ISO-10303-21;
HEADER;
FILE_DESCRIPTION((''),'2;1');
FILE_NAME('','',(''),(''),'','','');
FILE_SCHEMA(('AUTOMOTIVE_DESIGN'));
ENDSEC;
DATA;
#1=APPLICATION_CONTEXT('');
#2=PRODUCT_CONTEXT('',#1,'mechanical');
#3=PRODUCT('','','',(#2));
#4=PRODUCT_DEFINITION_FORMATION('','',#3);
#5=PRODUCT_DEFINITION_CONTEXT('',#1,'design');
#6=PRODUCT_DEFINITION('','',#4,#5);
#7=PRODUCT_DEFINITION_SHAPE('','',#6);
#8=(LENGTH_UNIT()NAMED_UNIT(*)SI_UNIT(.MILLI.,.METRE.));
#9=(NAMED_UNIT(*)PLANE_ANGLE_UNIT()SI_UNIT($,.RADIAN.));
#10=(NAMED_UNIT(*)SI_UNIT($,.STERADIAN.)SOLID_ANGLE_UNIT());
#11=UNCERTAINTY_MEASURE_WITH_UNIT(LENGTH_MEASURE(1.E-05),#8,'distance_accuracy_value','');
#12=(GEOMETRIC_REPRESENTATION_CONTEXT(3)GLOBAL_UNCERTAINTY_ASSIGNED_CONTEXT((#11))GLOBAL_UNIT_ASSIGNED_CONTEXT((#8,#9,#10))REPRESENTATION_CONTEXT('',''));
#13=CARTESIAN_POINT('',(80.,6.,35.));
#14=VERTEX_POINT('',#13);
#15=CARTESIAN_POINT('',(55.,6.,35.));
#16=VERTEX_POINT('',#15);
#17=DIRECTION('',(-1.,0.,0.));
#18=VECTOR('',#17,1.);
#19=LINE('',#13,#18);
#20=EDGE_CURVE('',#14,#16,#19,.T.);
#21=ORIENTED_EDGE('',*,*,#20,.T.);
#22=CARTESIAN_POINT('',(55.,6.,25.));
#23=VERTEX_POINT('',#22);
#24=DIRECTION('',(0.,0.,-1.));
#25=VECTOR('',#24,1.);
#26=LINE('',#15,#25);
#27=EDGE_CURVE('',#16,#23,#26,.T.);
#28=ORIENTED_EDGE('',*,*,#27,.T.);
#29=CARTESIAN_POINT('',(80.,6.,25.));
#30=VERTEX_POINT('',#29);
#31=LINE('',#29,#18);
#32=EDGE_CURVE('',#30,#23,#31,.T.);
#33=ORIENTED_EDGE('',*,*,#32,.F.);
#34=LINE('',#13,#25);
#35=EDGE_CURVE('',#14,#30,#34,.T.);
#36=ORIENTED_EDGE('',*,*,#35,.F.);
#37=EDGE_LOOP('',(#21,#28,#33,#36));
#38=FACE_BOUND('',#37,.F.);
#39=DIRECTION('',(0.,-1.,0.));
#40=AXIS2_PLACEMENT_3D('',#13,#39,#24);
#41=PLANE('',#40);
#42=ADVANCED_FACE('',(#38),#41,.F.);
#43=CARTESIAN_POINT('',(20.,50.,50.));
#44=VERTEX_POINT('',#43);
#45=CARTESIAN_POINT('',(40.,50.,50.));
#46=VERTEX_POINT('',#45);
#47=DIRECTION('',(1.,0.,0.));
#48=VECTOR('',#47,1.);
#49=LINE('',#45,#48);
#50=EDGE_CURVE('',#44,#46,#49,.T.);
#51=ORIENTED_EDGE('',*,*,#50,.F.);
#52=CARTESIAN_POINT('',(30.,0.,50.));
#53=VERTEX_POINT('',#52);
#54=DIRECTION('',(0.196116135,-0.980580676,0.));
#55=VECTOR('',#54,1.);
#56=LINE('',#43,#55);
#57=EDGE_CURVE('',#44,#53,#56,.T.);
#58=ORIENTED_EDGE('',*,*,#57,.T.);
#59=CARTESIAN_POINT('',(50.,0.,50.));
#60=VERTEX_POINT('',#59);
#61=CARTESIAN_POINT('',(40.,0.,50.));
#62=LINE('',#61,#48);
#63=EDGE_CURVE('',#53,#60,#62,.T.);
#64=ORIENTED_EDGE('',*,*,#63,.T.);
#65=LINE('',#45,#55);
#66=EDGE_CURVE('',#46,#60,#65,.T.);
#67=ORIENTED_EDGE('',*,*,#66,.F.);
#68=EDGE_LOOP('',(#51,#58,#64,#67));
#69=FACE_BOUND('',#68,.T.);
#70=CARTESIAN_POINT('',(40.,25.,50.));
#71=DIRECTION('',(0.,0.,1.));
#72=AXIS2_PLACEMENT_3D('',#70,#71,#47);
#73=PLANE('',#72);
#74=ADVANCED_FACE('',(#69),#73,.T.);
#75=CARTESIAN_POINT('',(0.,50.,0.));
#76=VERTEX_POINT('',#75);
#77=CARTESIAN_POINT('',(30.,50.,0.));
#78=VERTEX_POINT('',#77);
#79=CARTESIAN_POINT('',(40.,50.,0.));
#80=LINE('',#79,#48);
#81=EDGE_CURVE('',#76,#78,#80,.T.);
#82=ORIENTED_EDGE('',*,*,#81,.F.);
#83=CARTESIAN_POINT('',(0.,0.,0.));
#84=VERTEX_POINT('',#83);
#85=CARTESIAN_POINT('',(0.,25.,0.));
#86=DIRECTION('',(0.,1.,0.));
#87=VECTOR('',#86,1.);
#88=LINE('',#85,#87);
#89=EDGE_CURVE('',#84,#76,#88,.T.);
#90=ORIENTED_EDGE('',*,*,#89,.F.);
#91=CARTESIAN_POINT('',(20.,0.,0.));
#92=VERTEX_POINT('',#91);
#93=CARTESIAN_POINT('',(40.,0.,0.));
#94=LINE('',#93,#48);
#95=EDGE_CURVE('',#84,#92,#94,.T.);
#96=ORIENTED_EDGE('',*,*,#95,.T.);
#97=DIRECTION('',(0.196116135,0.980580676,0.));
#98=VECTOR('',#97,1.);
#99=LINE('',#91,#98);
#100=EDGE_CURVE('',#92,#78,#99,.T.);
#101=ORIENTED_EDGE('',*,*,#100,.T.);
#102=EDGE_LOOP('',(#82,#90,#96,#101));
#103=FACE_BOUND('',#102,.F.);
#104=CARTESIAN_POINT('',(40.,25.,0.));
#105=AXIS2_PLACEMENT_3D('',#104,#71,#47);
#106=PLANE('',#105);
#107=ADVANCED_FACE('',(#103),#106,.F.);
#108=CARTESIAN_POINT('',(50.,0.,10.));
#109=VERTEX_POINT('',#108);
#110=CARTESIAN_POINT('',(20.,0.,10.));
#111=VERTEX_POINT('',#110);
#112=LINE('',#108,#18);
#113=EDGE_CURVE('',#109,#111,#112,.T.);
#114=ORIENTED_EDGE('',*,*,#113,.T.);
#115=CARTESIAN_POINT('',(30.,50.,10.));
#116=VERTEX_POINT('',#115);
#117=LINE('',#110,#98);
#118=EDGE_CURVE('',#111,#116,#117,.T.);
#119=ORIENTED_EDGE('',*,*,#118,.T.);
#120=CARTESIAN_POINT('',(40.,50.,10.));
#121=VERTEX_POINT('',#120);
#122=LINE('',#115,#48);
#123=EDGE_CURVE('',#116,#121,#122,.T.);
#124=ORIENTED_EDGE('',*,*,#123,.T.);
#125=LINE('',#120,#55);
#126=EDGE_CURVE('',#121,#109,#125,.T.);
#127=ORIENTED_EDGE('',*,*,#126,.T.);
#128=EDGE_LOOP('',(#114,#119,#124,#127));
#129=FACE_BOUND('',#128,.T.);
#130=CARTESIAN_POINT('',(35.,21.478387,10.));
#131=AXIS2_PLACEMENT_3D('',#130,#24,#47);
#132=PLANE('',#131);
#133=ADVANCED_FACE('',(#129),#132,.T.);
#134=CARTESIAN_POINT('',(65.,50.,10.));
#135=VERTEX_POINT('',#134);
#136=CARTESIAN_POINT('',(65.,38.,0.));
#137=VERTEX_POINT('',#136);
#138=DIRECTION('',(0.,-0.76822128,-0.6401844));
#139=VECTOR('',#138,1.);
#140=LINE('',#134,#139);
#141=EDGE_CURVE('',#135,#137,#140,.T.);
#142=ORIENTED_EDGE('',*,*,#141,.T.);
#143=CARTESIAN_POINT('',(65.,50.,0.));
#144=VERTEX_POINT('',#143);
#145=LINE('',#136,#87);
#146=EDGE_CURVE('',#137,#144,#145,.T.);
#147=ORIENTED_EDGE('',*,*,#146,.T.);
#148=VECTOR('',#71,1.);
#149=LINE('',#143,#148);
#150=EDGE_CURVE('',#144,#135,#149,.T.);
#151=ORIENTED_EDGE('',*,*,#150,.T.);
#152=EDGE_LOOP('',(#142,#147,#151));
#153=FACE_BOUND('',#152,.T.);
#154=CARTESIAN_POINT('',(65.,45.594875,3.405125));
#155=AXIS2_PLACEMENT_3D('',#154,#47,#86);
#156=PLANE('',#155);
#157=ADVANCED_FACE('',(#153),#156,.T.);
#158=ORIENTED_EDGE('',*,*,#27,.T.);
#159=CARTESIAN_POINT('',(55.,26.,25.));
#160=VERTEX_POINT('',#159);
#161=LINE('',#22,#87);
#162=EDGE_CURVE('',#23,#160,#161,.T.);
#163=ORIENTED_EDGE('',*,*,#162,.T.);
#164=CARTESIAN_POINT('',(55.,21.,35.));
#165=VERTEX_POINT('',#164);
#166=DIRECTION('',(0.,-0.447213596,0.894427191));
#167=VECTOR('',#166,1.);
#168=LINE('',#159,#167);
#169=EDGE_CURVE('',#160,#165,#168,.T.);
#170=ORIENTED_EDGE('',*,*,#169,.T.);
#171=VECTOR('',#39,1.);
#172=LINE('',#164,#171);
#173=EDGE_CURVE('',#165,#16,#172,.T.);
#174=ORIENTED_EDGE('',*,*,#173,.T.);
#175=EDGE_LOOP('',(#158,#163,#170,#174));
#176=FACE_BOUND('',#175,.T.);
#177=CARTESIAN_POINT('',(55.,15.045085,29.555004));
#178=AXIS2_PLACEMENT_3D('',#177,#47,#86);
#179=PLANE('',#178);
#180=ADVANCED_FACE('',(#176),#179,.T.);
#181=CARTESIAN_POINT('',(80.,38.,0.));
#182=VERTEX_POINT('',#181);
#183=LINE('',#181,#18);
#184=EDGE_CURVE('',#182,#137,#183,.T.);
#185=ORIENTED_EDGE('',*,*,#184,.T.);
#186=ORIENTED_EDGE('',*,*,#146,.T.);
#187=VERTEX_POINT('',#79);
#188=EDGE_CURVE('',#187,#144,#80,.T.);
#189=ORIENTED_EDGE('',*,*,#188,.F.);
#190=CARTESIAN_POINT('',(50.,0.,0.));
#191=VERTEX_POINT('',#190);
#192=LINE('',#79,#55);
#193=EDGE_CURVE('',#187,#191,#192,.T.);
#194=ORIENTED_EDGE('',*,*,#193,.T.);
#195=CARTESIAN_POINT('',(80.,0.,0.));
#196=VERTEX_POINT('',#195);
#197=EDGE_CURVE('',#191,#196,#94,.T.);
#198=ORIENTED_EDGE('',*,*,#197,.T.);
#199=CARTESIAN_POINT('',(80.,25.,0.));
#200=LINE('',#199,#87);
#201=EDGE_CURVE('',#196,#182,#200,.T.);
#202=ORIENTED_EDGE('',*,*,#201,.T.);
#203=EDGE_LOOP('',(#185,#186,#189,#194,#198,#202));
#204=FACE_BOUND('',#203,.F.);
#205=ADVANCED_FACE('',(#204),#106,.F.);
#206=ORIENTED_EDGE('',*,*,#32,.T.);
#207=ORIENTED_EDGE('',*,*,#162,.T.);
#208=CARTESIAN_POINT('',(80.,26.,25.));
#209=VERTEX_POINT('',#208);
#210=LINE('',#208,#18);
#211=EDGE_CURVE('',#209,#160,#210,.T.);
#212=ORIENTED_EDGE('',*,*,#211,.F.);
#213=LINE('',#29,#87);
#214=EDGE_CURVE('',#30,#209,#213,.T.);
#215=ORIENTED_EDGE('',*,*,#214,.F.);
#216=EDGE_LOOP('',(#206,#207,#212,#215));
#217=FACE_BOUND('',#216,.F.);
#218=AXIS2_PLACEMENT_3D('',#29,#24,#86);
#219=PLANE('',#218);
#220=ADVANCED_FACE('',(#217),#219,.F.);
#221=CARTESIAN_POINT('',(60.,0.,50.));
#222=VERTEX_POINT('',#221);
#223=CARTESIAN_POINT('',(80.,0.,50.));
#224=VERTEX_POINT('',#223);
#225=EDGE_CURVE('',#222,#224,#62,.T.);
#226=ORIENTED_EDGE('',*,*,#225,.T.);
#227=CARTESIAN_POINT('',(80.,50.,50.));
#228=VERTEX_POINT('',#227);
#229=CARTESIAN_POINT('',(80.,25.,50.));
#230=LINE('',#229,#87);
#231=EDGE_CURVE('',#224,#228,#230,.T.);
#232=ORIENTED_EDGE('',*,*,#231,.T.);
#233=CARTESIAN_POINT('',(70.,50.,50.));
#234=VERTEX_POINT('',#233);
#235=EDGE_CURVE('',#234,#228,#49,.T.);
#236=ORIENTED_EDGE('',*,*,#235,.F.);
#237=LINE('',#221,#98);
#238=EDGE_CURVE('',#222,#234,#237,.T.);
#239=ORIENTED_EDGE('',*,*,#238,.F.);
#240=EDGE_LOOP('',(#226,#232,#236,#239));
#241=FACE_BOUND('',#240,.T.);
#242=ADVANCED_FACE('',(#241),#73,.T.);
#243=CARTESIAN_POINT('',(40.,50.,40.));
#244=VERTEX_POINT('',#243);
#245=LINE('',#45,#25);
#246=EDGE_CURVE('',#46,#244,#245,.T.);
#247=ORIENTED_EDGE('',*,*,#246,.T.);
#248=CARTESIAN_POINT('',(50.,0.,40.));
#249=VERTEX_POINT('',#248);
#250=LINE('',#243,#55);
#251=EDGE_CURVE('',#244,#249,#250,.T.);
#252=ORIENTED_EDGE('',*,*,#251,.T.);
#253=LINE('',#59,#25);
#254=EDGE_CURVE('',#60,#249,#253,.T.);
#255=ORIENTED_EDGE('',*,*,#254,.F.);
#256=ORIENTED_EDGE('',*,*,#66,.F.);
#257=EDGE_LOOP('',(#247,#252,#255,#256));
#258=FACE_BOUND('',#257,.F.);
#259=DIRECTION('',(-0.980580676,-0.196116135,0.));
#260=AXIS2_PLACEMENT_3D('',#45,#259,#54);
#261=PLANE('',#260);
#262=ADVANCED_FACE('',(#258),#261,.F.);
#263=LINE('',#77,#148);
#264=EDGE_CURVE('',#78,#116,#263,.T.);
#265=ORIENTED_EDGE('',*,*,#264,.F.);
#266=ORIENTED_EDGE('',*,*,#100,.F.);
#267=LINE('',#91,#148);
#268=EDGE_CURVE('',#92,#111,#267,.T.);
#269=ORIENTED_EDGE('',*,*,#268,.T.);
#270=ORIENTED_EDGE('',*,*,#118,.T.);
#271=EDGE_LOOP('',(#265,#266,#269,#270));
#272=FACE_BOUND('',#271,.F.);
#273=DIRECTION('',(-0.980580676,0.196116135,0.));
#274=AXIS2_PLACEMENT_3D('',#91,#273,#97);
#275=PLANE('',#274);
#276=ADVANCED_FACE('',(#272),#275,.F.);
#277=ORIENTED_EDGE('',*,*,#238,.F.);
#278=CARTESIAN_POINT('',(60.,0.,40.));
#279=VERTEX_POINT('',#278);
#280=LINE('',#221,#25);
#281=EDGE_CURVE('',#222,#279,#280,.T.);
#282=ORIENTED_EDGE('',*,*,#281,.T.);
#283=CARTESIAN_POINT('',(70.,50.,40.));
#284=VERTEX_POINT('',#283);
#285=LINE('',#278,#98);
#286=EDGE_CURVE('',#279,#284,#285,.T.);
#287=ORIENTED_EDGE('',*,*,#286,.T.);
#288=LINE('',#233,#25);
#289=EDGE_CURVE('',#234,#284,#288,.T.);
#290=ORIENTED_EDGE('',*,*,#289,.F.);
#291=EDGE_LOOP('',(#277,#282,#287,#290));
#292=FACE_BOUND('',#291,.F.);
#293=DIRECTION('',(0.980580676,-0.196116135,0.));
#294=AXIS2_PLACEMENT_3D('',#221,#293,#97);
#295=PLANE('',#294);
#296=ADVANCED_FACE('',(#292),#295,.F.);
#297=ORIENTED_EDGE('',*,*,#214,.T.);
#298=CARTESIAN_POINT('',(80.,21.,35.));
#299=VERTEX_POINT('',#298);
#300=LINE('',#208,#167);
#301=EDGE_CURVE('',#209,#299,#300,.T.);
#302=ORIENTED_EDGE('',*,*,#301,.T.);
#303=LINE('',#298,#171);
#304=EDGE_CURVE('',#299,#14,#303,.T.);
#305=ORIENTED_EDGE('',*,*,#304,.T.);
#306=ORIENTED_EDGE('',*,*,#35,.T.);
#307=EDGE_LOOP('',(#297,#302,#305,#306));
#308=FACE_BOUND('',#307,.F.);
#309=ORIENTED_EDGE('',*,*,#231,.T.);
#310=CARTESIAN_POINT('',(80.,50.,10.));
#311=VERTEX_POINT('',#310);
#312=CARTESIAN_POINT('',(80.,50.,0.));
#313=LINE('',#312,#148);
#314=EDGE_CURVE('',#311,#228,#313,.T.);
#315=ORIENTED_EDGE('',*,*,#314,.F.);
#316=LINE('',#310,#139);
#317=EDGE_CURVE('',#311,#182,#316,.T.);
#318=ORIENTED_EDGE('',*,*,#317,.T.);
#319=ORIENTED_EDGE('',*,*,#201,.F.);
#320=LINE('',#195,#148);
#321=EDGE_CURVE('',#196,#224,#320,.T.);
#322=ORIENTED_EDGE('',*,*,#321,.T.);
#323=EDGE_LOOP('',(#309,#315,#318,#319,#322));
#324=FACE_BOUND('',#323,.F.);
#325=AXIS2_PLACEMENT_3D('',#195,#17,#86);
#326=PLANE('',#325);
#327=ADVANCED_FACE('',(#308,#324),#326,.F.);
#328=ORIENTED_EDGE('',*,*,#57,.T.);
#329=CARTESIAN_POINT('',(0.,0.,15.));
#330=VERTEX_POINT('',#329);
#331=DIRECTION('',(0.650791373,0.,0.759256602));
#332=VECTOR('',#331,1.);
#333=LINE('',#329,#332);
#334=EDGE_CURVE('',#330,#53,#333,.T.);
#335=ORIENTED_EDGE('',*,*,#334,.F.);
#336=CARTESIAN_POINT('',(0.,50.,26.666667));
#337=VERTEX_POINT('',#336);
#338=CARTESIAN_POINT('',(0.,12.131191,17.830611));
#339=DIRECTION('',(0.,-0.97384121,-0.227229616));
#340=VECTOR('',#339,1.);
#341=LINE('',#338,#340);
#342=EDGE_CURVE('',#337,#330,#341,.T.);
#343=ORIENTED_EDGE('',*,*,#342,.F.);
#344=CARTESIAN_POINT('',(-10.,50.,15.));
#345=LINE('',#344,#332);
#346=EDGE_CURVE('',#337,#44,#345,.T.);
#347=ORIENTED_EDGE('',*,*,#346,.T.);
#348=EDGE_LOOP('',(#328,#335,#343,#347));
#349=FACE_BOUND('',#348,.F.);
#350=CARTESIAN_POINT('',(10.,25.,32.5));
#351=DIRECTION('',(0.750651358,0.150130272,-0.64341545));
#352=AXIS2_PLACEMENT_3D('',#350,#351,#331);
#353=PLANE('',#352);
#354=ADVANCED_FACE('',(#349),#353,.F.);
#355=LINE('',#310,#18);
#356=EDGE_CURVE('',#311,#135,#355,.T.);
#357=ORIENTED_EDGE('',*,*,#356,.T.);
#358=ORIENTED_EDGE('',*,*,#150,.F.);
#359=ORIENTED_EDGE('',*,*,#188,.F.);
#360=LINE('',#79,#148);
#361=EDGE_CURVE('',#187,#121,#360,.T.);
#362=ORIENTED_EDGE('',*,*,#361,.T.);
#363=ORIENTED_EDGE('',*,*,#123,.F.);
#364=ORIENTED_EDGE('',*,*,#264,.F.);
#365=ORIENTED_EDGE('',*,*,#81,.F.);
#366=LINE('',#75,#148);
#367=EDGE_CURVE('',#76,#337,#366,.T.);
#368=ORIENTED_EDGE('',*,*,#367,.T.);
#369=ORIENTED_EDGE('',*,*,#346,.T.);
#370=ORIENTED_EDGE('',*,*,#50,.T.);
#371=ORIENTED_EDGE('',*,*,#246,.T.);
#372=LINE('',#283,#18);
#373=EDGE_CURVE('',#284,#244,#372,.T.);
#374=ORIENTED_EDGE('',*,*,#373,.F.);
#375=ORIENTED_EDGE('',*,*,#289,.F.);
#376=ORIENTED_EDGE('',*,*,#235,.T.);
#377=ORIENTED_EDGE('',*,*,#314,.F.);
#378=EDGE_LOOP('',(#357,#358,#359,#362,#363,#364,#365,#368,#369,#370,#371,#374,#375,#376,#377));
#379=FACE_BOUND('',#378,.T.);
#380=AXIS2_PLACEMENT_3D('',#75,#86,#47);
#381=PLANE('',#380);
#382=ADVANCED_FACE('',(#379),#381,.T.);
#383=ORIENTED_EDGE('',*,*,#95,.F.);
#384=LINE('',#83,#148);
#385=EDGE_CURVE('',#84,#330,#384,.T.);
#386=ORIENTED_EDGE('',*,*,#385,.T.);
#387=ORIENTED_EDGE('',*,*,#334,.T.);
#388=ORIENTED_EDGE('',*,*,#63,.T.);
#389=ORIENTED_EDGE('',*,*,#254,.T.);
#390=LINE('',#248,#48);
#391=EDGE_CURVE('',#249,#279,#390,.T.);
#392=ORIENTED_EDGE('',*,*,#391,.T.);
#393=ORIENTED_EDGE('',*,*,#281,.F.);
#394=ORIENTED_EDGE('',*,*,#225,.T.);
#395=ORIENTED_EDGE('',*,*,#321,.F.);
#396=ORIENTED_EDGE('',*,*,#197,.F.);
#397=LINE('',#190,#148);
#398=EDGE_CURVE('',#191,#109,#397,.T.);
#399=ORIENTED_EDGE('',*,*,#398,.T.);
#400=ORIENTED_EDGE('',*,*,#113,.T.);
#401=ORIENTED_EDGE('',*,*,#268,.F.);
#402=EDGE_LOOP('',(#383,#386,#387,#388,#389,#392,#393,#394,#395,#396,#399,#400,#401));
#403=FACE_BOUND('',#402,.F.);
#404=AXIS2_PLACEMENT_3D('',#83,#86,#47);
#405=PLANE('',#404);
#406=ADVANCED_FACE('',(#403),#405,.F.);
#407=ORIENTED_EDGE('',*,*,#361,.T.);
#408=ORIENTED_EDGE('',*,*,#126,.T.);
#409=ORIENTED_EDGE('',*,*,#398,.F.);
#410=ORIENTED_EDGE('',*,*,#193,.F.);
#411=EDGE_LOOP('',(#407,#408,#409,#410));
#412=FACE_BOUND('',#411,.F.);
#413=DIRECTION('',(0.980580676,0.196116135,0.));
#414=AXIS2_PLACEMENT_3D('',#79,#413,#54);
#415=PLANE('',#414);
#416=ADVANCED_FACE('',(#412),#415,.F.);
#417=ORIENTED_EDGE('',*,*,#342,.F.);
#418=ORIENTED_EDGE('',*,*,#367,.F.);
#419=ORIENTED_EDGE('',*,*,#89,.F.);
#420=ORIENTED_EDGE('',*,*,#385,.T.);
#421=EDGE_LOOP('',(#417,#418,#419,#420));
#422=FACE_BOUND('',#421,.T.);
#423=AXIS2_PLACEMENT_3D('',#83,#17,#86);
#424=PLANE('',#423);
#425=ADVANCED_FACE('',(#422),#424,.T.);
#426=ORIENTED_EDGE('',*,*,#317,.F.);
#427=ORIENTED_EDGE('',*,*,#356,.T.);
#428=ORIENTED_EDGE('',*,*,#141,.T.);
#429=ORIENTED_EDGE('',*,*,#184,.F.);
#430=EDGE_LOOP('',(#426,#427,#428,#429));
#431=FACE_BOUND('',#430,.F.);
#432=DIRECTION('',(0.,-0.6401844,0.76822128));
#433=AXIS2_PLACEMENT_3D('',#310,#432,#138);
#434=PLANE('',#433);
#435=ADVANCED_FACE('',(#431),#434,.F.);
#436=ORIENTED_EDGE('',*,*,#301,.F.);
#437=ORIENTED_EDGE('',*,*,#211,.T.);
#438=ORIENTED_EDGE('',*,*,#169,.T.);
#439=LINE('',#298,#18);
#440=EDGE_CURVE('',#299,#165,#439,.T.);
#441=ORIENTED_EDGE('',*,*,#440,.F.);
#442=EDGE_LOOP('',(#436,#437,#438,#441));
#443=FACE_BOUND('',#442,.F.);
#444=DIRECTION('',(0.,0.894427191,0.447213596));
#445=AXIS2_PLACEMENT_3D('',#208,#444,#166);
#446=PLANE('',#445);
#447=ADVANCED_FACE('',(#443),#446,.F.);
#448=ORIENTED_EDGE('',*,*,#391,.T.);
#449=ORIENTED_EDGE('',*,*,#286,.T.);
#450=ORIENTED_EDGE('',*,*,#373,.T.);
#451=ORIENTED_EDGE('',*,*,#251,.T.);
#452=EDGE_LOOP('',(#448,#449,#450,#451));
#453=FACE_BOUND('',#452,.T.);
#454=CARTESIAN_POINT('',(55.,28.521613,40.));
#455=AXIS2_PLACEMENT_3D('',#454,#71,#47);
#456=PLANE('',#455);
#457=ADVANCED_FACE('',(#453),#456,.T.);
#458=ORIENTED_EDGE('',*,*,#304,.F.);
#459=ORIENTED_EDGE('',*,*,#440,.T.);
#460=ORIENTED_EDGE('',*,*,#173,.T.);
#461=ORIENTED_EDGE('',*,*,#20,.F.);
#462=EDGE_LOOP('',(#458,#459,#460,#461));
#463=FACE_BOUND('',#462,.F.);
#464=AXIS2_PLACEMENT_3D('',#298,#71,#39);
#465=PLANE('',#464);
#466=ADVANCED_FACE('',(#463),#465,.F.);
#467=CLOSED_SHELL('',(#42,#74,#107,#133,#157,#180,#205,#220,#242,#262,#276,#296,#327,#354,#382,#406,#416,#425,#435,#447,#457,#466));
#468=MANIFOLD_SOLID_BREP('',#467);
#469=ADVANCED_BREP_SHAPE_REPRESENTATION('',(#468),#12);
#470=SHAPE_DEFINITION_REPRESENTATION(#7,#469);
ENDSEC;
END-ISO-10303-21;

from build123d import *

# Parameters (mm, degrees)
F0_W     = 80
F0_H     = 50
F1_DEPTH = 50
F3_DEPTH = 10
F5_DEPTH = 10
F7_DEPTH = 25
F9_DEPTH = 15


with BuildPart() as f1:
    # F0 (on Top) → F1 (new body)
    with BuildSketch(Plane.XY):
        with Locations((40, 25)):
            Rectangle(F0_W, F0_H)
    extrude(amount=F1_DEPTH)

    # F2 (on face) → F3 (cut)
    with BuildSketch(Plane.XY.offset(50)):
        Polygon((70, 50), (40, 50), (50, 0), (60, 0), align=None)
    extrude(amount=-F3_DEPTH, mode=Mode.SUBTRACT)

    # F4 (on face) → F5 (cut)
    with BuildSketch(Plane(origin=(0, 0, 0), x_dir=(1, 0, 0), z_dir=(0, 0, -1))):
        Polygon((50, 0), (20, 0), (30, -50), (40, -50), align=None)
    extrude(amount=-F5_DEPTH, mode=Mode.SUBTRACT)

    # F6 (on face) → F7 (cut)
    with BuildSketch(Plane.YZ.offset(80)):
        Polygon((21, 35), (6, 35), (6, 25), (26, 25), align=None)
    extrude(amount=-F7_DEPTH, mode=Mode.SUBTRACT)

    # F8 (on face) → F9 (cut)
    with BuildSketch(Plane.YZ.offset(80)):
        Polygon((50, 0), (50, 10), (38, 0), align=None)
    extrude(amount=-F9_DEPTH, mode=Mode.SUBTRACT)

    # F12: sweep along a path in F10
    with BuildLine(Plane.XY.offset(50)) as f12_path:
        Line((20, 50), (30, 0))
    # F11 (on face) → F12 (sweep, cut)
    with BuildSketch(Plane.XZ):
        Polygon((0, 15), (30, 50), (0, 50), align=None)
    sweep(path=f12_path.line, mode=Mode.SUBTRACT)


solid = f1.part
